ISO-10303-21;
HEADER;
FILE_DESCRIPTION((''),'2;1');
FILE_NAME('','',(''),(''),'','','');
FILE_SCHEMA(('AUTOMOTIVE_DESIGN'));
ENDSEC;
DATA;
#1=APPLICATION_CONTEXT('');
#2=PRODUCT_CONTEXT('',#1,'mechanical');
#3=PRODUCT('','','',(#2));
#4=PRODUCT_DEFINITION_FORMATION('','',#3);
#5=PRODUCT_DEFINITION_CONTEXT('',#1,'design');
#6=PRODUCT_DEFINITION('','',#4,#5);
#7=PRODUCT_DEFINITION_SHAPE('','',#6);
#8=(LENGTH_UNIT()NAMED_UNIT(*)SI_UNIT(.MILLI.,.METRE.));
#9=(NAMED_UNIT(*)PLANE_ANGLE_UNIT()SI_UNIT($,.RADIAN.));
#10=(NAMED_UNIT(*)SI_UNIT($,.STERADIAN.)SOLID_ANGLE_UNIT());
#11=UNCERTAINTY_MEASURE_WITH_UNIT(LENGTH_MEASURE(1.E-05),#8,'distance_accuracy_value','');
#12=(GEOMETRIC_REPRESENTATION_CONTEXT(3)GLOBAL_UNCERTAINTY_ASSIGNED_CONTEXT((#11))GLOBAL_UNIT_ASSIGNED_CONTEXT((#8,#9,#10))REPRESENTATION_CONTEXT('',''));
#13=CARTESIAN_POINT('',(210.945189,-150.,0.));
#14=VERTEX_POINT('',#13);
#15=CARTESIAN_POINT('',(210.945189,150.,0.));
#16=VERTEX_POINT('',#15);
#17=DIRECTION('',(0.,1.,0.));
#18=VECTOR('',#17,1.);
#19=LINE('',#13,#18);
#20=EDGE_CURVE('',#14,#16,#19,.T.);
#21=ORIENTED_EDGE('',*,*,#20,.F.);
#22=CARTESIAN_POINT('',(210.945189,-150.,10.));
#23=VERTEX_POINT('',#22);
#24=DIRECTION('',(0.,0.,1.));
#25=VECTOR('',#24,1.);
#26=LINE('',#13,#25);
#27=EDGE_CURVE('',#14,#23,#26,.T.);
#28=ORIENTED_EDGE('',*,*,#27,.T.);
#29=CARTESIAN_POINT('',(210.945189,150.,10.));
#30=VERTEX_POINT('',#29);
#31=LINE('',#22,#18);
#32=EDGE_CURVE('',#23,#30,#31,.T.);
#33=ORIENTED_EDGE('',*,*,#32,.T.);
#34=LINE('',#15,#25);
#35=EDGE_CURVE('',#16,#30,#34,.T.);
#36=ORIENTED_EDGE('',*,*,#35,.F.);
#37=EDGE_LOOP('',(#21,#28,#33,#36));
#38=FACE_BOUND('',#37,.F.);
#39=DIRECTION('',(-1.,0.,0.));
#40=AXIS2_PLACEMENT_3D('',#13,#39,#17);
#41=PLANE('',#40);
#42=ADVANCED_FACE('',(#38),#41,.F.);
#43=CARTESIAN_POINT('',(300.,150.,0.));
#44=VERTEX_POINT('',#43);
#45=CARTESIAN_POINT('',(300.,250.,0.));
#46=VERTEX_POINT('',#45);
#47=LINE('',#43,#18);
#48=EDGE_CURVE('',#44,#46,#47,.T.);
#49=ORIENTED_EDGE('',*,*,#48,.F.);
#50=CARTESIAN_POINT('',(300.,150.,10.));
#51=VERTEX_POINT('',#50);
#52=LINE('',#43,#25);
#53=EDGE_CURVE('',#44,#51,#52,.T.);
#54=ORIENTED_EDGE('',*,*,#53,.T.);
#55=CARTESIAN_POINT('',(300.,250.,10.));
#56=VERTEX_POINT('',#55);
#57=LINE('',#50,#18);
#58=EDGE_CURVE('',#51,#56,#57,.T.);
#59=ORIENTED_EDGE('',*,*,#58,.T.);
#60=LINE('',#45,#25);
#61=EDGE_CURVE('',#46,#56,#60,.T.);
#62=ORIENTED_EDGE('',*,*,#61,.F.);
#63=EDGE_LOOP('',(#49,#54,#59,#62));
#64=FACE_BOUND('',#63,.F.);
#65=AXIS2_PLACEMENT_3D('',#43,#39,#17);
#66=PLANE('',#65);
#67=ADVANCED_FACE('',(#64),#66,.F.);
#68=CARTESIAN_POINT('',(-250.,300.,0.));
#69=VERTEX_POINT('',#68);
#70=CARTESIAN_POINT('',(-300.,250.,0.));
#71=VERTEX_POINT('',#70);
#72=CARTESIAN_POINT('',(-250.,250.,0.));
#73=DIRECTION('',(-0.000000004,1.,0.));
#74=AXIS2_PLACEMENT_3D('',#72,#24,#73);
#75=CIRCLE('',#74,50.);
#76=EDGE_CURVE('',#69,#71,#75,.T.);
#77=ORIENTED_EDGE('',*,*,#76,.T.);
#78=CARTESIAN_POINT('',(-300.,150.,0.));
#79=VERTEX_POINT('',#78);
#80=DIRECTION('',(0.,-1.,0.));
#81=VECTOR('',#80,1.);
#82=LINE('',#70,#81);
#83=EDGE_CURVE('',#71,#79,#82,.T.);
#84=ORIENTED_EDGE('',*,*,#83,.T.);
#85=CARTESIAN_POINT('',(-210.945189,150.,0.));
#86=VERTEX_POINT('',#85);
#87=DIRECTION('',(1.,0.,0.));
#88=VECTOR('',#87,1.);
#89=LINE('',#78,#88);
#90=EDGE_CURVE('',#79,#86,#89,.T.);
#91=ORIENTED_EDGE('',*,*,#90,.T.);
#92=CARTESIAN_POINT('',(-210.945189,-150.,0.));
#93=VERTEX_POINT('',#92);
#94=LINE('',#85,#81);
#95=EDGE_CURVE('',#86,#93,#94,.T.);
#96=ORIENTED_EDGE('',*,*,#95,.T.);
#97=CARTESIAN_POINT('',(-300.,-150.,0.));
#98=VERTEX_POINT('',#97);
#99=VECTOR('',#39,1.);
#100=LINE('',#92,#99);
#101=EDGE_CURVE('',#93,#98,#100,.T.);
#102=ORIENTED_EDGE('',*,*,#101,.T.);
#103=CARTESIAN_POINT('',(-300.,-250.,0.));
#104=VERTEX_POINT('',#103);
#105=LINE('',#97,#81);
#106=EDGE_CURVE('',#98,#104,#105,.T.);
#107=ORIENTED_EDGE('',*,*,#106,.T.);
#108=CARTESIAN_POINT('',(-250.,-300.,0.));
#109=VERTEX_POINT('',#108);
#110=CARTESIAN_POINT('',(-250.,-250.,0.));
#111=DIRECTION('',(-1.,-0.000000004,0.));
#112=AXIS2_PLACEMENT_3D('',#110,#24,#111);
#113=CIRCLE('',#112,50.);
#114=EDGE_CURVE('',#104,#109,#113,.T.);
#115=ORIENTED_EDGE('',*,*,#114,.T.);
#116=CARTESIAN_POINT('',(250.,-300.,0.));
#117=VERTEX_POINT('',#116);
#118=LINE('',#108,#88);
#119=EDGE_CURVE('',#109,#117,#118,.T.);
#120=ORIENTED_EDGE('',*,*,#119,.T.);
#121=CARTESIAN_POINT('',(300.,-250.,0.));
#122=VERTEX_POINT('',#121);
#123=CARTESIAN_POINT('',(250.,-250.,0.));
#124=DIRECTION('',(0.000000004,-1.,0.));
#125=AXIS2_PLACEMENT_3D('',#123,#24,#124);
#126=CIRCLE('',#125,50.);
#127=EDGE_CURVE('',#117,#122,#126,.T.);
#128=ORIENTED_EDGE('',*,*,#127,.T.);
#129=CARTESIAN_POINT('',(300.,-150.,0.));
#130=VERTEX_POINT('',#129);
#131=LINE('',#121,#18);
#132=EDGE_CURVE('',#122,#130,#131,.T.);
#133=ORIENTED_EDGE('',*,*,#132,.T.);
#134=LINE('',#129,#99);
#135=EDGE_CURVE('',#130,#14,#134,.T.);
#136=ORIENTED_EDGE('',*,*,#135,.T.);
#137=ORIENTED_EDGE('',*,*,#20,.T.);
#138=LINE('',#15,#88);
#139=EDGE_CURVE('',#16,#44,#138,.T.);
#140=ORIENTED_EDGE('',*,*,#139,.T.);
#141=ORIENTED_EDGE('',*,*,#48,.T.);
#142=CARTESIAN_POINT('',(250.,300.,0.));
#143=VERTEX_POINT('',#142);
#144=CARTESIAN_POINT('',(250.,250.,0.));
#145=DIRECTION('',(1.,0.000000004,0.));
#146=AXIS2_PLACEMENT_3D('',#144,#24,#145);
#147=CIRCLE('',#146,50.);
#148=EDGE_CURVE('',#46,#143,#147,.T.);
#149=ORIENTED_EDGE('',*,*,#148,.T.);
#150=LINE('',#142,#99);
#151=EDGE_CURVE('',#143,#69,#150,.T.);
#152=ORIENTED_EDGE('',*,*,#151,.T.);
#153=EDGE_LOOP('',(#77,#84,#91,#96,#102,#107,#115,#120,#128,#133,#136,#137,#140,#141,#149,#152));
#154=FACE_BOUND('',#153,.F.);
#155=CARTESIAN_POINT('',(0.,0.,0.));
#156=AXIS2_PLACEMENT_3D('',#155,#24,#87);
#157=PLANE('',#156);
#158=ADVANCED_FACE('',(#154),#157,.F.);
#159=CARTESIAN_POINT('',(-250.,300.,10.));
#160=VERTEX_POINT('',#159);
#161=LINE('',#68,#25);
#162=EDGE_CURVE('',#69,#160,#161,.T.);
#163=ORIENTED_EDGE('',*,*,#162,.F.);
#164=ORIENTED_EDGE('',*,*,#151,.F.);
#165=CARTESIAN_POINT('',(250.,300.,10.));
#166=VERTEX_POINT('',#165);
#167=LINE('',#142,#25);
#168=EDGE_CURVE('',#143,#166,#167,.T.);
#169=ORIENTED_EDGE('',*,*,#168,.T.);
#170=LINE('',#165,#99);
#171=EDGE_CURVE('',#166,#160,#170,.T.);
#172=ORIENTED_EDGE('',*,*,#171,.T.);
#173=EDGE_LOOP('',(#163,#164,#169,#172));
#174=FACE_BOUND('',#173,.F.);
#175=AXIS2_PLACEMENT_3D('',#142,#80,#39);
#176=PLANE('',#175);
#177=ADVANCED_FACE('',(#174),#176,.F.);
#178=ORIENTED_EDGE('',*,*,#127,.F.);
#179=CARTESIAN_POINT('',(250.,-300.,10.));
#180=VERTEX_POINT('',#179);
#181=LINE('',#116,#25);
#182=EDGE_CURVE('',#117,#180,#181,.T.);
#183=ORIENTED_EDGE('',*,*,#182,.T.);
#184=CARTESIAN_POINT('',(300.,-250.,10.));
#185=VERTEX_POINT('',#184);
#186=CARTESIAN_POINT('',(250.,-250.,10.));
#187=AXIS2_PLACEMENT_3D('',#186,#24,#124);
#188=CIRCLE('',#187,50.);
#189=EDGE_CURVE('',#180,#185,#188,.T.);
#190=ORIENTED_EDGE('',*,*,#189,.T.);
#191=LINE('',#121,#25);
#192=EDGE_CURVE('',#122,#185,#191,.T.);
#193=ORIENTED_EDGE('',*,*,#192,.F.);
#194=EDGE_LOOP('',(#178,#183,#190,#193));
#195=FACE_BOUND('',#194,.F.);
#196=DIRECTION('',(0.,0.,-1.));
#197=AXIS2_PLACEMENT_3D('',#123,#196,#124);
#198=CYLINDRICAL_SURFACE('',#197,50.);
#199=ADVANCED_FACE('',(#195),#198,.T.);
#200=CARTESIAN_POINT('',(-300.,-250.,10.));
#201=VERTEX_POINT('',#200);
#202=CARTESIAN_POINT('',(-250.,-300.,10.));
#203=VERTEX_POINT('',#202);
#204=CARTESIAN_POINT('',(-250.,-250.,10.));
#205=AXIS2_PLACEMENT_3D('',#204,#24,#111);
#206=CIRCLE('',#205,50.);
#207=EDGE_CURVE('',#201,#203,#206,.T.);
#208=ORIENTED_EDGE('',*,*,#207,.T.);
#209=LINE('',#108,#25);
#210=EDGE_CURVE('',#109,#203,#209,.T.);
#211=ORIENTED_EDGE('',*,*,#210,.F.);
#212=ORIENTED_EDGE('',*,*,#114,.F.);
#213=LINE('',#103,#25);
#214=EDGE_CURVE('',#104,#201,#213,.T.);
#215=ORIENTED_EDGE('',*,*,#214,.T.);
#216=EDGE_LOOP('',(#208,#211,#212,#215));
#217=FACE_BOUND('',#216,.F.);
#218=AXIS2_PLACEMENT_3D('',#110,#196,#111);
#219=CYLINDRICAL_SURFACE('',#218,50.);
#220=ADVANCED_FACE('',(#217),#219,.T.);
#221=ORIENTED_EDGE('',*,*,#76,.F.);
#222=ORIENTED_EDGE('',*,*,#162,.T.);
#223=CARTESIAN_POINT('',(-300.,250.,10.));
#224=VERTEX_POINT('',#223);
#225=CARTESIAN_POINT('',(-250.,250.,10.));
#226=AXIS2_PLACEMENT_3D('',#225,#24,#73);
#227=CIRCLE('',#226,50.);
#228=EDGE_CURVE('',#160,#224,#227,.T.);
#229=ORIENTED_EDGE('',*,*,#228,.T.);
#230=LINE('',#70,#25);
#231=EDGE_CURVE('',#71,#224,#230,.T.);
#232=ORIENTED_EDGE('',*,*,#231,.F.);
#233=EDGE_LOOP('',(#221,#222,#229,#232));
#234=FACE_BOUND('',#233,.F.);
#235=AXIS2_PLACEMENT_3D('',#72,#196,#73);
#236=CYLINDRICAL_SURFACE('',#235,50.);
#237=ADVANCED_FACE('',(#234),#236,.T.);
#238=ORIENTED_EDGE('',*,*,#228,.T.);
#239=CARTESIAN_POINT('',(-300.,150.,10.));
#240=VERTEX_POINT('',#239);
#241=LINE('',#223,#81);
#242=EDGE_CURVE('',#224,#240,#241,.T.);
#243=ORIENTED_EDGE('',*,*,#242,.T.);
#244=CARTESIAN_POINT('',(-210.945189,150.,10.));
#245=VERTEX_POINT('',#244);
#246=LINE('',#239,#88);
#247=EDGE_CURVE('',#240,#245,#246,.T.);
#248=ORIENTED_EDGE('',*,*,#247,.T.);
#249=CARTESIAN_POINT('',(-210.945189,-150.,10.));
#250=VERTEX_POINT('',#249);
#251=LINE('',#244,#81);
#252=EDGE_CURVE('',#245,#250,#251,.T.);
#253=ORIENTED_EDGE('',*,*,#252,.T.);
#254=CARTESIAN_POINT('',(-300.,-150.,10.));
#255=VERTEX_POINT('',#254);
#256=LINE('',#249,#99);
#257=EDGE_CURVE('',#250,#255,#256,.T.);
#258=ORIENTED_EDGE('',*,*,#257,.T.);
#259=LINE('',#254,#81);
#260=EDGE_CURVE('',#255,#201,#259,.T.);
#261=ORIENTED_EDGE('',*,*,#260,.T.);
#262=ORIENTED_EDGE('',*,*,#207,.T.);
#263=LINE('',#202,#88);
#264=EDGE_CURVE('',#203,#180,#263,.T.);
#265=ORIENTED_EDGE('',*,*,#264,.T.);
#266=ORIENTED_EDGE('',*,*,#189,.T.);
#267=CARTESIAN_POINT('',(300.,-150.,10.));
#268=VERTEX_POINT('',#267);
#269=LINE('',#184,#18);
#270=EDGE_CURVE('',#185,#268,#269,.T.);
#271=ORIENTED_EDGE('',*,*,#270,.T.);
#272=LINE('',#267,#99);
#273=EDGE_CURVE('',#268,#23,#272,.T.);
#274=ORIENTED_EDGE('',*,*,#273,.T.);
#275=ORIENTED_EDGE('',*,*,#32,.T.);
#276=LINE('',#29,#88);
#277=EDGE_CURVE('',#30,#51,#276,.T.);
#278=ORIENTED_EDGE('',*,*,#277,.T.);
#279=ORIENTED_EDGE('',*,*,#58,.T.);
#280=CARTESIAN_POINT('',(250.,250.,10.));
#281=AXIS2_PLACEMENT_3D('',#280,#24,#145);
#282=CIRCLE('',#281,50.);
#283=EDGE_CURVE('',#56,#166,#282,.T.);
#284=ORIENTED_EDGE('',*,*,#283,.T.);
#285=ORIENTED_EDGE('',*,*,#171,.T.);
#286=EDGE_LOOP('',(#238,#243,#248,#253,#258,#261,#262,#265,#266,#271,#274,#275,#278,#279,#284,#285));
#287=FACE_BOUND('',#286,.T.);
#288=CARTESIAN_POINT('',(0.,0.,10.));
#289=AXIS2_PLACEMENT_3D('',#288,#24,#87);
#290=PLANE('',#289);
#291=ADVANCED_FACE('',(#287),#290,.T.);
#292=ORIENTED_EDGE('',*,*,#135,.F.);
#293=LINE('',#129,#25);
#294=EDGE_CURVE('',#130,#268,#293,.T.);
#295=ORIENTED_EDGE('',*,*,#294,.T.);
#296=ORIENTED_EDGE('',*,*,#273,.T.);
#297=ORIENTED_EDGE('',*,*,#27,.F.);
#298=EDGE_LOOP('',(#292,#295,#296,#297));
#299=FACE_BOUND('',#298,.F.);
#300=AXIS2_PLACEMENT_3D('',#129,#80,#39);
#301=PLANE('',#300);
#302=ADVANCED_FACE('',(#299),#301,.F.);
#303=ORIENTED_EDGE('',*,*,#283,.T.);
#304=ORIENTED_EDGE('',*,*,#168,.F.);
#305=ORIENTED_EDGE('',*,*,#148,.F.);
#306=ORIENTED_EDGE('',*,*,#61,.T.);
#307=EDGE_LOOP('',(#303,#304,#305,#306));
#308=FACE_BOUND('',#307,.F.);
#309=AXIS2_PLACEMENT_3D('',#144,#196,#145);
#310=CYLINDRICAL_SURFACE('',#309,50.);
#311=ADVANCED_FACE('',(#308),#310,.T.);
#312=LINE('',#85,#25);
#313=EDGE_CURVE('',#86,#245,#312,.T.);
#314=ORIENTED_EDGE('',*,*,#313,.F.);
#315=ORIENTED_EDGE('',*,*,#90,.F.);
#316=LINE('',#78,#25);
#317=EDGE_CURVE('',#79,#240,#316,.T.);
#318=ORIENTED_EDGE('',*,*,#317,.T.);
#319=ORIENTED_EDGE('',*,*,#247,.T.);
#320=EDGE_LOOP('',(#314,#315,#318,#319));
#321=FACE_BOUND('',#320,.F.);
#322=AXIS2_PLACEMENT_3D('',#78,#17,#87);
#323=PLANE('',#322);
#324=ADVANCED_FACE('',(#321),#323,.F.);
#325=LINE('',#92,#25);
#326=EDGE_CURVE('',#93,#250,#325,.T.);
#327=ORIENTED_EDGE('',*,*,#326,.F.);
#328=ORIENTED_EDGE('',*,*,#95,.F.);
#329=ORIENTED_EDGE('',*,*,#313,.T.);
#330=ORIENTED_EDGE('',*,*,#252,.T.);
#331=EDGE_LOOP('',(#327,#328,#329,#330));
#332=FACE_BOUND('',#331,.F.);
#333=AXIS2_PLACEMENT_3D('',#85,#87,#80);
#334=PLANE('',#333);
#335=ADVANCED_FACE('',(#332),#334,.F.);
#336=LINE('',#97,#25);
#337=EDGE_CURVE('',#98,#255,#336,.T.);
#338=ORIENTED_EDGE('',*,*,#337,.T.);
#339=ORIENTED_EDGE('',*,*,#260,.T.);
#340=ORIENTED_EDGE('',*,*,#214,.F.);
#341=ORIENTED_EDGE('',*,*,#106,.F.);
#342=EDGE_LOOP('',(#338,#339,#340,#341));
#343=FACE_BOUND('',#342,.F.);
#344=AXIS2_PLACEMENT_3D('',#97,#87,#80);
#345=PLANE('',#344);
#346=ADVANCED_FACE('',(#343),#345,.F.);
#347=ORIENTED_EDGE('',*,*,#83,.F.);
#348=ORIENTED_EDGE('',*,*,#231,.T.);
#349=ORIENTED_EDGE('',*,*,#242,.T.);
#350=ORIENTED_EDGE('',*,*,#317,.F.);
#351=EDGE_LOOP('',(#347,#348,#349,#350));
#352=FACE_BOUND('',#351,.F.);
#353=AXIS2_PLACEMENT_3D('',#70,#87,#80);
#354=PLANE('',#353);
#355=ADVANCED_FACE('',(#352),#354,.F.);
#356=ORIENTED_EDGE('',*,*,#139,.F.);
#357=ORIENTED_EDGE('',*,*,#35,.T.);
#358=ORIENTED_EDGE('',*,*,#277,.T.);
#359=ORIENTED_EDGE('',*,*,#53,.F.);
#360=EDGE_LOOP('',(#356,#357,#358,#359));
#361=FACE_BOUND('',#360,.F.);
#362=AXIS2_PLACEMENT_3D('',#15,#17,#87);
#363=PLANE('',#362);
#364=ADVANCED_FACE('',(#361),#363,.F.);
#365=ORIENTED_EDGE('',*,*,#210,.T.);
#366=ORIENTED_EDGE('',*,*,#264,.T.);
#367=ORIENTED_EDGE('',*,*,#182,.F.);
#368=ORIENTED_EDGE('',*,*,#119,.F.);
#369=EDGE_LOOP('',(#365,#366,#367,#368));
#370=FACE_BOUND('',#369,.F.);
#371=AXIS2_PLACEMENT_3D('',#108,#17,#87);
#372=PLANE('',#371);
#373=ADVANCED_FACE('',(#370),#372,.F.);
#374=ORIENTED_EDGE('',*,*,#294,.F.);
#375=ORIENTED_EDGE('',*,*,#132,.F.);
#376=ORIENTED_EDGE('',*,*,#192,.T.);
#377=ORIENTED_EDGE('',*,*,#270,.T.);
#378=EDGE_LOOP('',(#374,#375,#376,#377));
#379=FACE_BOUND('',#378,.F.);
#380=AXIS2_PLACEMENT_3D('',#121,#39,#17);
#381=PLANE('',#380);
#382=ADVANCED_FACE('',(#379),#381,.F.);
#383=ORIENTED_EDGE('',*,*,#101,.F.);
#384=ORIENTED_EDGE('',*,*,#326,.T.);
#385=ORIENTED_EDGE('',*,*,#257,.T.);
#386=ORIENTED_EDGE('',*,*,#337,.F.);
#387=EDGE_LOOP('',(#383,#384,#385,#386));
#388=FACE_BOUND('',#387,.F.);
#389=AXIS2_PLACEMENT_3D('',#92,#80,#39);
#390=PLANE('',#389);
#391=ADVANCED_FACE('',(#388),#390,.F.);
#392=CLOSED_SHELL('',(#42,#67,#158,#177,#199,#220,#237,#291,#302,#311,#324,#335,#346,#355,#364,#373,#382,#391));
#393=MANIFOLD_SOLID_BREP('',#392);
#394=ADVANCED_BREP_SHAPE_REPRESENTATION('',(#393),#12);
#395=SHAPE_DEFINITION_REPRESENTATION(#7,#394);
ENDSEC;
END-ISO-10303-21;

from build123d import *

# Parameters (mm, degrees)
F1_DEPTH = 10


with BuildPart() as f1:
    # F0 (on Top) → F1 (new body)
    with BuildSketch(Plane.XY):
        with BuildLine():
            ThreePointArc((300, 250), (285.355339, 285.355339), (250, 300))
            Line((250, 300), (-250, 300))
            ThreePointArc((-250, 300), (-285.355339, 285.355339), (-300, 250))
            Line((-300, 250), (-300, 150))
            Line((-300, 150), (-210.945189, 150))
            Line((-210.945189, 150), (-210.945189, -150))
            Line((-210.945189, -150), (-300, -150))
            Line((-300, -150), (-300, -250))
            ThreePointArc((-300, -250), (-285.355339, -285.355339), (-250, -300))
            Line((-250, -300), (250, -300))
            ThreePointArc((250, -300), (285.355339, -285.355339), (300, -250))
            Line((300, -250), (300, -150))
            Line((300, -150), (210.945189, -150))
            Line((210.945189, -150), (210.945189, 150))
            Line((210.945189, 150), (300, 150))
            Line((300, 150), (300, 250))
        make_face()
    extrude(amount=F1_DEPTH)


solid = f1.part
